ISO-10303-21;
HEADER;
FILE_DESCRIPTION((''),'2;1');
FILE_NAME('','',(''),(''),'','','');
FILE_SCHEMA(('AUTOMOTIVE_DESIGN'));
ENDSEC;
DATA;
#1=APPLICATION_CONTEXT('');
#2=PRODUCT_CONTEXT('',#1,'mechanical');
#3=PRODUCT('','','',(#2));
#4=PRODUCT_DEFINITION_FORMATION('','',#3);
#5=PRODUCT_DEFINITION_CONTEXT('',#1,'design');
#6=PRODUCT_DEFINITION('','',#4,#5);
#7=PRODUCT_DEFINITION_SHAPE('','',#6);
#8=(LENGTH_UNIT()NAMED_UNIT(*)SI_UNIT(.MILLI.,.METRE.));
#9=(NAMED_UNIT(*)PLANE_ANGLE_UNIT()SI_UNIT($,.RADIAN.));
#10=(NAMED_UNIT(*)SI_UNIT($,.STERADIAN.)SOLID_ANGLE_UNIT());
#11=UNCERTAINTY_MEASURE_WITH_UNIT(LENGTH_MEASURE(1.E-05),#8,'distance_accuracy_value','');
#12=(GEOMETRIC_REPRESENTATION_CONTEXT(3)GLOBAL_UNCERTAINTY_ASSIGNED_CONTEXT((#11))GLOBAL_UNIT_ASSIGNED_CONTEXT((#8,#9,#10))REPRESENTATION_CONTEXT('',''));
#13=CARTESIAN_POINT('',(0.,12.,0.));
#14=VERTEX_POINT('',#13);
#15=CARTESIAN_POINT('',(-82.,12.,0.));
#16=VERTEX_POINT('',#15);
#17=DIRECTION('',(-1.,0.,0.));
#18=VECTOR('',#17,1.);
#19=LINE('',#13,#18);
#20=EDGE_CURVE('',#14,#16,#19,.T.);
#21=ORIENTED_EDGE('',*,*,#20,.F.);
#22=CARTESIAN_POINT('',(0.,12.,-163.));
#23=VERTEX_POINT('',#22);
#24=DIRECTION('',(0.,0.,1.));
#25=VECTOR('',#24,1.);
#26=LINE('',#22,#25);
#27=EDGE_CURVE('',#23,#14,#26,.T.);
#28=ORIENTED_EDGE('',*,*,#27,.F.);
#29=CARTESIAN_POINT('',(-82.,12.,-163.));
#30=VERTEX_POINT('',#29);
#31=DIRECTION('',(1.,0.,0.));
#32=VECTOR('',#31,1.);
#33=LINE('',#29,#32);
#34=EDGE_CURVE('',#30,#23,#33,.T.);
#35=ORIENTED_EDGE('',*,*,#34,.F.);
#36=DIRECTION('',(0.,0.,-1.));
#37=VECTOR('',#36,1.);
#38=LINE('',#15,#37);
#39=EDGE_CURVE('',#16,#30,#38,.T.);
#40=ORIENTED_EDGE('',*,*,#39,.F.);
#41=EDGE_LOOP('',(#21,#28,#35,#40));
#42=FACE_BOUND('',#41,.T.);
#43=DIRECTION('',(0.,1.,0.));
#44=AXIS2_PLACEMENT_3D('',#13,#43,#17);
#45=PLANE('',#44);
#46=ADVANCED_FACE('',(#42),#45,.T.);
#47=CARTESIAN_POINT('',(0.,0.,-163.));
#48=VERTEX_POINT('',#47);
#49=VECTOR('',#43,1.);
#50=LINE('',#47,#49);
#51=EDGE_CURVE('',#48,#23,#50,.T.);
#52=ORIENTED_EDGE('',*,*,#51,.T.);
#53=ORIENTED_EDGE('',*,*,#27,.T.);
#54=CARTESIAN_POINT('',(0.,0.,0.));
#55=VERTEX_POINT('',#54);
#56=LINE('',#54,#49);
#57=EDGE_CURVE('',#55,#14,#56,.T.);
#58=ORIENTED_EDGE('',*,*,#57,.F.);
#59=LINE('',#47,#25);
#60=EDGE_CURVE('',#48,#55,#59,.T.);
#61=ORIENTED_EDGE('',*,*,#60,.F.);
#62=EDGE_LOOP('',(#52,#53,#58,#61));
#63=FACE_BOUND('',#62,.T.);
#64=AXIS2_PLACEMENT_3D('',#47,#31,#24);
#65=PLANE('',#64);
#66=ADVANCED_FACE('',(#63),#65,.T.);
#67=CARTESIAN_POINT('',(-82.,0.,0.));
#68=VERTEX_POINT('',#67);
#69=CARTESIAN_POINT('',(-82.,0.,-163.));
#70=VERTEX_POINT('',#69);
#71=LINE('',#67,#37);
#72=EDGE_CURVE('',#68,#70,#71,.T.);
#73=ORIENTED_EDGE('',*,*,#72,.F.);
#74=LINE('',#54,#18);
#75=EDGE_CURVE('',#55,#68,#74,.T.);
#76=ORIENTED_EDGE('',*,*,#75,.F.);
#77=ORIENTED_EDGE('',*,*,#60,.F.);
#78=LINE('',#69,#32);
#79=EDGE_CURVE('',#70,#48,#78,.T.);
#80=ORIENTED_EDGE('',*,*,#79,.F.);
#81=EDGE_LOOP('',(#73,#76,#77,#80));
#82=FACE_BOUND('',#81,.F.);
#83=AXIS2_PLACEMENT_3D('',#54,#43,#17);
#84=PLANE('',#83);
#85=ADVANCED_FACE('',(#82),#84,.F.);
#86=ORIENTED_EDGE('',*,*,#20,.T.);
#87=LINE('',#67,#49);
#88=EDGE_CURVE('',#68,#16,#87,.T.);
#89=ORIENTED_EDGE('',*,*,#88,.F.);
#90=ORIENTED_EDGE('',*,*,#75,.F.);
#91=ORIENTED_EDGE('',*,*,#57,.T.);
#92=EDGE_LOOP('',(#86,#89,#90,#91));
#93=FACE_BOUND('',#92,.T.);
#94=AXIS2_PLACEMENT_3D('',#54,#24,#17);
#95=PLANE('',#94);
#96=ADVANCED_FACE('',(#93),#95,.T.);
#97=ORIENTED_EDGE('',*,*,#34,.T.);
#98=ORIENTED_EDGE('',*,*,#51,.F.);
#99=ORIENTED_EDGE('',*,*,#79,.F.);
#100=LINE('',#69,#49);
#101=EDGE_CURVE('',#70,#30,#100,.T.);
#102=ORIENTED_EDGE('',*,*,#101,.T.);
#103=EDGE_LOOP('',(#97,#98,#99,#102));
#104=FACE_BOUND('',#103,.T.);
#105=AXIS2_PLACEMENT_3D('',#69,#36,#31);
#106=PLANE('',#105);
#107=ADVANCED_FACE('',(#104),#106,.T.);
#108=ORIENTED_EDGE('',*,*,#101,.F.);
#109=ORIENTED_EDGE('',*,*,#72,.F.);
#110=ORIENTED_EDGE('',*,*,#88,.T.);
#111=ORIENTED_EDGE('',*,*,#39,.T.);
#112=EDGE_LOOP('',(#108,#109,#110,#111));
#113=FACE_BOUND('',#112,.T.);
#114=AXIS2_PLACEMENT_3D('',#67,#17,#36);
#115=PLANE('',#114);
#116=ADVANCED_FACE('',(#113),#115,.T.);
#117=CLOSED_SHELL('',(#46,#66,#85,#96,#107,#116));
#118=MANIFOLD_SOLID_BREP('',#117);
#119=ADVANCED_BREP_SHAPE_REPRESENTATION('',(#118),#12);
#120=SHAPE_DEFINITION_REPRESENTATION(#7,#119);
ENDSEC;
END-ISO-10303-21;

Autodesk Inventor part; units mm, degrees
ref_plane "YZ Plane" through (0, 0, 0) normal (1, 0, 0) x (0, 1, 0)
ref_plane "XZ Plane" through (0, 0, 0) normal (0, 1, 0) x (-1, 0, 0)
ref_plane "XY Plane" through (0, 0, 0) normal (0, 0, 1) x (1, 0, 0)
sketch "スケッチ1" plane through (0, 0, 0) normal (0, 1, 0) x (-1, 0, 0)
  line L0 (0, 0) -> (82, 0)
  line L1 (82, 0) -> (82, -163)
  line L2 (82, -163) -> (0, -163)
  line L3 (0, -163) -> (0, 0)
  dimension "d0" = 82
  dimension "d1" = 163
extrude "押し出し1" add sketch "スケッチ1" along normal blind 12
properties part number "case"
